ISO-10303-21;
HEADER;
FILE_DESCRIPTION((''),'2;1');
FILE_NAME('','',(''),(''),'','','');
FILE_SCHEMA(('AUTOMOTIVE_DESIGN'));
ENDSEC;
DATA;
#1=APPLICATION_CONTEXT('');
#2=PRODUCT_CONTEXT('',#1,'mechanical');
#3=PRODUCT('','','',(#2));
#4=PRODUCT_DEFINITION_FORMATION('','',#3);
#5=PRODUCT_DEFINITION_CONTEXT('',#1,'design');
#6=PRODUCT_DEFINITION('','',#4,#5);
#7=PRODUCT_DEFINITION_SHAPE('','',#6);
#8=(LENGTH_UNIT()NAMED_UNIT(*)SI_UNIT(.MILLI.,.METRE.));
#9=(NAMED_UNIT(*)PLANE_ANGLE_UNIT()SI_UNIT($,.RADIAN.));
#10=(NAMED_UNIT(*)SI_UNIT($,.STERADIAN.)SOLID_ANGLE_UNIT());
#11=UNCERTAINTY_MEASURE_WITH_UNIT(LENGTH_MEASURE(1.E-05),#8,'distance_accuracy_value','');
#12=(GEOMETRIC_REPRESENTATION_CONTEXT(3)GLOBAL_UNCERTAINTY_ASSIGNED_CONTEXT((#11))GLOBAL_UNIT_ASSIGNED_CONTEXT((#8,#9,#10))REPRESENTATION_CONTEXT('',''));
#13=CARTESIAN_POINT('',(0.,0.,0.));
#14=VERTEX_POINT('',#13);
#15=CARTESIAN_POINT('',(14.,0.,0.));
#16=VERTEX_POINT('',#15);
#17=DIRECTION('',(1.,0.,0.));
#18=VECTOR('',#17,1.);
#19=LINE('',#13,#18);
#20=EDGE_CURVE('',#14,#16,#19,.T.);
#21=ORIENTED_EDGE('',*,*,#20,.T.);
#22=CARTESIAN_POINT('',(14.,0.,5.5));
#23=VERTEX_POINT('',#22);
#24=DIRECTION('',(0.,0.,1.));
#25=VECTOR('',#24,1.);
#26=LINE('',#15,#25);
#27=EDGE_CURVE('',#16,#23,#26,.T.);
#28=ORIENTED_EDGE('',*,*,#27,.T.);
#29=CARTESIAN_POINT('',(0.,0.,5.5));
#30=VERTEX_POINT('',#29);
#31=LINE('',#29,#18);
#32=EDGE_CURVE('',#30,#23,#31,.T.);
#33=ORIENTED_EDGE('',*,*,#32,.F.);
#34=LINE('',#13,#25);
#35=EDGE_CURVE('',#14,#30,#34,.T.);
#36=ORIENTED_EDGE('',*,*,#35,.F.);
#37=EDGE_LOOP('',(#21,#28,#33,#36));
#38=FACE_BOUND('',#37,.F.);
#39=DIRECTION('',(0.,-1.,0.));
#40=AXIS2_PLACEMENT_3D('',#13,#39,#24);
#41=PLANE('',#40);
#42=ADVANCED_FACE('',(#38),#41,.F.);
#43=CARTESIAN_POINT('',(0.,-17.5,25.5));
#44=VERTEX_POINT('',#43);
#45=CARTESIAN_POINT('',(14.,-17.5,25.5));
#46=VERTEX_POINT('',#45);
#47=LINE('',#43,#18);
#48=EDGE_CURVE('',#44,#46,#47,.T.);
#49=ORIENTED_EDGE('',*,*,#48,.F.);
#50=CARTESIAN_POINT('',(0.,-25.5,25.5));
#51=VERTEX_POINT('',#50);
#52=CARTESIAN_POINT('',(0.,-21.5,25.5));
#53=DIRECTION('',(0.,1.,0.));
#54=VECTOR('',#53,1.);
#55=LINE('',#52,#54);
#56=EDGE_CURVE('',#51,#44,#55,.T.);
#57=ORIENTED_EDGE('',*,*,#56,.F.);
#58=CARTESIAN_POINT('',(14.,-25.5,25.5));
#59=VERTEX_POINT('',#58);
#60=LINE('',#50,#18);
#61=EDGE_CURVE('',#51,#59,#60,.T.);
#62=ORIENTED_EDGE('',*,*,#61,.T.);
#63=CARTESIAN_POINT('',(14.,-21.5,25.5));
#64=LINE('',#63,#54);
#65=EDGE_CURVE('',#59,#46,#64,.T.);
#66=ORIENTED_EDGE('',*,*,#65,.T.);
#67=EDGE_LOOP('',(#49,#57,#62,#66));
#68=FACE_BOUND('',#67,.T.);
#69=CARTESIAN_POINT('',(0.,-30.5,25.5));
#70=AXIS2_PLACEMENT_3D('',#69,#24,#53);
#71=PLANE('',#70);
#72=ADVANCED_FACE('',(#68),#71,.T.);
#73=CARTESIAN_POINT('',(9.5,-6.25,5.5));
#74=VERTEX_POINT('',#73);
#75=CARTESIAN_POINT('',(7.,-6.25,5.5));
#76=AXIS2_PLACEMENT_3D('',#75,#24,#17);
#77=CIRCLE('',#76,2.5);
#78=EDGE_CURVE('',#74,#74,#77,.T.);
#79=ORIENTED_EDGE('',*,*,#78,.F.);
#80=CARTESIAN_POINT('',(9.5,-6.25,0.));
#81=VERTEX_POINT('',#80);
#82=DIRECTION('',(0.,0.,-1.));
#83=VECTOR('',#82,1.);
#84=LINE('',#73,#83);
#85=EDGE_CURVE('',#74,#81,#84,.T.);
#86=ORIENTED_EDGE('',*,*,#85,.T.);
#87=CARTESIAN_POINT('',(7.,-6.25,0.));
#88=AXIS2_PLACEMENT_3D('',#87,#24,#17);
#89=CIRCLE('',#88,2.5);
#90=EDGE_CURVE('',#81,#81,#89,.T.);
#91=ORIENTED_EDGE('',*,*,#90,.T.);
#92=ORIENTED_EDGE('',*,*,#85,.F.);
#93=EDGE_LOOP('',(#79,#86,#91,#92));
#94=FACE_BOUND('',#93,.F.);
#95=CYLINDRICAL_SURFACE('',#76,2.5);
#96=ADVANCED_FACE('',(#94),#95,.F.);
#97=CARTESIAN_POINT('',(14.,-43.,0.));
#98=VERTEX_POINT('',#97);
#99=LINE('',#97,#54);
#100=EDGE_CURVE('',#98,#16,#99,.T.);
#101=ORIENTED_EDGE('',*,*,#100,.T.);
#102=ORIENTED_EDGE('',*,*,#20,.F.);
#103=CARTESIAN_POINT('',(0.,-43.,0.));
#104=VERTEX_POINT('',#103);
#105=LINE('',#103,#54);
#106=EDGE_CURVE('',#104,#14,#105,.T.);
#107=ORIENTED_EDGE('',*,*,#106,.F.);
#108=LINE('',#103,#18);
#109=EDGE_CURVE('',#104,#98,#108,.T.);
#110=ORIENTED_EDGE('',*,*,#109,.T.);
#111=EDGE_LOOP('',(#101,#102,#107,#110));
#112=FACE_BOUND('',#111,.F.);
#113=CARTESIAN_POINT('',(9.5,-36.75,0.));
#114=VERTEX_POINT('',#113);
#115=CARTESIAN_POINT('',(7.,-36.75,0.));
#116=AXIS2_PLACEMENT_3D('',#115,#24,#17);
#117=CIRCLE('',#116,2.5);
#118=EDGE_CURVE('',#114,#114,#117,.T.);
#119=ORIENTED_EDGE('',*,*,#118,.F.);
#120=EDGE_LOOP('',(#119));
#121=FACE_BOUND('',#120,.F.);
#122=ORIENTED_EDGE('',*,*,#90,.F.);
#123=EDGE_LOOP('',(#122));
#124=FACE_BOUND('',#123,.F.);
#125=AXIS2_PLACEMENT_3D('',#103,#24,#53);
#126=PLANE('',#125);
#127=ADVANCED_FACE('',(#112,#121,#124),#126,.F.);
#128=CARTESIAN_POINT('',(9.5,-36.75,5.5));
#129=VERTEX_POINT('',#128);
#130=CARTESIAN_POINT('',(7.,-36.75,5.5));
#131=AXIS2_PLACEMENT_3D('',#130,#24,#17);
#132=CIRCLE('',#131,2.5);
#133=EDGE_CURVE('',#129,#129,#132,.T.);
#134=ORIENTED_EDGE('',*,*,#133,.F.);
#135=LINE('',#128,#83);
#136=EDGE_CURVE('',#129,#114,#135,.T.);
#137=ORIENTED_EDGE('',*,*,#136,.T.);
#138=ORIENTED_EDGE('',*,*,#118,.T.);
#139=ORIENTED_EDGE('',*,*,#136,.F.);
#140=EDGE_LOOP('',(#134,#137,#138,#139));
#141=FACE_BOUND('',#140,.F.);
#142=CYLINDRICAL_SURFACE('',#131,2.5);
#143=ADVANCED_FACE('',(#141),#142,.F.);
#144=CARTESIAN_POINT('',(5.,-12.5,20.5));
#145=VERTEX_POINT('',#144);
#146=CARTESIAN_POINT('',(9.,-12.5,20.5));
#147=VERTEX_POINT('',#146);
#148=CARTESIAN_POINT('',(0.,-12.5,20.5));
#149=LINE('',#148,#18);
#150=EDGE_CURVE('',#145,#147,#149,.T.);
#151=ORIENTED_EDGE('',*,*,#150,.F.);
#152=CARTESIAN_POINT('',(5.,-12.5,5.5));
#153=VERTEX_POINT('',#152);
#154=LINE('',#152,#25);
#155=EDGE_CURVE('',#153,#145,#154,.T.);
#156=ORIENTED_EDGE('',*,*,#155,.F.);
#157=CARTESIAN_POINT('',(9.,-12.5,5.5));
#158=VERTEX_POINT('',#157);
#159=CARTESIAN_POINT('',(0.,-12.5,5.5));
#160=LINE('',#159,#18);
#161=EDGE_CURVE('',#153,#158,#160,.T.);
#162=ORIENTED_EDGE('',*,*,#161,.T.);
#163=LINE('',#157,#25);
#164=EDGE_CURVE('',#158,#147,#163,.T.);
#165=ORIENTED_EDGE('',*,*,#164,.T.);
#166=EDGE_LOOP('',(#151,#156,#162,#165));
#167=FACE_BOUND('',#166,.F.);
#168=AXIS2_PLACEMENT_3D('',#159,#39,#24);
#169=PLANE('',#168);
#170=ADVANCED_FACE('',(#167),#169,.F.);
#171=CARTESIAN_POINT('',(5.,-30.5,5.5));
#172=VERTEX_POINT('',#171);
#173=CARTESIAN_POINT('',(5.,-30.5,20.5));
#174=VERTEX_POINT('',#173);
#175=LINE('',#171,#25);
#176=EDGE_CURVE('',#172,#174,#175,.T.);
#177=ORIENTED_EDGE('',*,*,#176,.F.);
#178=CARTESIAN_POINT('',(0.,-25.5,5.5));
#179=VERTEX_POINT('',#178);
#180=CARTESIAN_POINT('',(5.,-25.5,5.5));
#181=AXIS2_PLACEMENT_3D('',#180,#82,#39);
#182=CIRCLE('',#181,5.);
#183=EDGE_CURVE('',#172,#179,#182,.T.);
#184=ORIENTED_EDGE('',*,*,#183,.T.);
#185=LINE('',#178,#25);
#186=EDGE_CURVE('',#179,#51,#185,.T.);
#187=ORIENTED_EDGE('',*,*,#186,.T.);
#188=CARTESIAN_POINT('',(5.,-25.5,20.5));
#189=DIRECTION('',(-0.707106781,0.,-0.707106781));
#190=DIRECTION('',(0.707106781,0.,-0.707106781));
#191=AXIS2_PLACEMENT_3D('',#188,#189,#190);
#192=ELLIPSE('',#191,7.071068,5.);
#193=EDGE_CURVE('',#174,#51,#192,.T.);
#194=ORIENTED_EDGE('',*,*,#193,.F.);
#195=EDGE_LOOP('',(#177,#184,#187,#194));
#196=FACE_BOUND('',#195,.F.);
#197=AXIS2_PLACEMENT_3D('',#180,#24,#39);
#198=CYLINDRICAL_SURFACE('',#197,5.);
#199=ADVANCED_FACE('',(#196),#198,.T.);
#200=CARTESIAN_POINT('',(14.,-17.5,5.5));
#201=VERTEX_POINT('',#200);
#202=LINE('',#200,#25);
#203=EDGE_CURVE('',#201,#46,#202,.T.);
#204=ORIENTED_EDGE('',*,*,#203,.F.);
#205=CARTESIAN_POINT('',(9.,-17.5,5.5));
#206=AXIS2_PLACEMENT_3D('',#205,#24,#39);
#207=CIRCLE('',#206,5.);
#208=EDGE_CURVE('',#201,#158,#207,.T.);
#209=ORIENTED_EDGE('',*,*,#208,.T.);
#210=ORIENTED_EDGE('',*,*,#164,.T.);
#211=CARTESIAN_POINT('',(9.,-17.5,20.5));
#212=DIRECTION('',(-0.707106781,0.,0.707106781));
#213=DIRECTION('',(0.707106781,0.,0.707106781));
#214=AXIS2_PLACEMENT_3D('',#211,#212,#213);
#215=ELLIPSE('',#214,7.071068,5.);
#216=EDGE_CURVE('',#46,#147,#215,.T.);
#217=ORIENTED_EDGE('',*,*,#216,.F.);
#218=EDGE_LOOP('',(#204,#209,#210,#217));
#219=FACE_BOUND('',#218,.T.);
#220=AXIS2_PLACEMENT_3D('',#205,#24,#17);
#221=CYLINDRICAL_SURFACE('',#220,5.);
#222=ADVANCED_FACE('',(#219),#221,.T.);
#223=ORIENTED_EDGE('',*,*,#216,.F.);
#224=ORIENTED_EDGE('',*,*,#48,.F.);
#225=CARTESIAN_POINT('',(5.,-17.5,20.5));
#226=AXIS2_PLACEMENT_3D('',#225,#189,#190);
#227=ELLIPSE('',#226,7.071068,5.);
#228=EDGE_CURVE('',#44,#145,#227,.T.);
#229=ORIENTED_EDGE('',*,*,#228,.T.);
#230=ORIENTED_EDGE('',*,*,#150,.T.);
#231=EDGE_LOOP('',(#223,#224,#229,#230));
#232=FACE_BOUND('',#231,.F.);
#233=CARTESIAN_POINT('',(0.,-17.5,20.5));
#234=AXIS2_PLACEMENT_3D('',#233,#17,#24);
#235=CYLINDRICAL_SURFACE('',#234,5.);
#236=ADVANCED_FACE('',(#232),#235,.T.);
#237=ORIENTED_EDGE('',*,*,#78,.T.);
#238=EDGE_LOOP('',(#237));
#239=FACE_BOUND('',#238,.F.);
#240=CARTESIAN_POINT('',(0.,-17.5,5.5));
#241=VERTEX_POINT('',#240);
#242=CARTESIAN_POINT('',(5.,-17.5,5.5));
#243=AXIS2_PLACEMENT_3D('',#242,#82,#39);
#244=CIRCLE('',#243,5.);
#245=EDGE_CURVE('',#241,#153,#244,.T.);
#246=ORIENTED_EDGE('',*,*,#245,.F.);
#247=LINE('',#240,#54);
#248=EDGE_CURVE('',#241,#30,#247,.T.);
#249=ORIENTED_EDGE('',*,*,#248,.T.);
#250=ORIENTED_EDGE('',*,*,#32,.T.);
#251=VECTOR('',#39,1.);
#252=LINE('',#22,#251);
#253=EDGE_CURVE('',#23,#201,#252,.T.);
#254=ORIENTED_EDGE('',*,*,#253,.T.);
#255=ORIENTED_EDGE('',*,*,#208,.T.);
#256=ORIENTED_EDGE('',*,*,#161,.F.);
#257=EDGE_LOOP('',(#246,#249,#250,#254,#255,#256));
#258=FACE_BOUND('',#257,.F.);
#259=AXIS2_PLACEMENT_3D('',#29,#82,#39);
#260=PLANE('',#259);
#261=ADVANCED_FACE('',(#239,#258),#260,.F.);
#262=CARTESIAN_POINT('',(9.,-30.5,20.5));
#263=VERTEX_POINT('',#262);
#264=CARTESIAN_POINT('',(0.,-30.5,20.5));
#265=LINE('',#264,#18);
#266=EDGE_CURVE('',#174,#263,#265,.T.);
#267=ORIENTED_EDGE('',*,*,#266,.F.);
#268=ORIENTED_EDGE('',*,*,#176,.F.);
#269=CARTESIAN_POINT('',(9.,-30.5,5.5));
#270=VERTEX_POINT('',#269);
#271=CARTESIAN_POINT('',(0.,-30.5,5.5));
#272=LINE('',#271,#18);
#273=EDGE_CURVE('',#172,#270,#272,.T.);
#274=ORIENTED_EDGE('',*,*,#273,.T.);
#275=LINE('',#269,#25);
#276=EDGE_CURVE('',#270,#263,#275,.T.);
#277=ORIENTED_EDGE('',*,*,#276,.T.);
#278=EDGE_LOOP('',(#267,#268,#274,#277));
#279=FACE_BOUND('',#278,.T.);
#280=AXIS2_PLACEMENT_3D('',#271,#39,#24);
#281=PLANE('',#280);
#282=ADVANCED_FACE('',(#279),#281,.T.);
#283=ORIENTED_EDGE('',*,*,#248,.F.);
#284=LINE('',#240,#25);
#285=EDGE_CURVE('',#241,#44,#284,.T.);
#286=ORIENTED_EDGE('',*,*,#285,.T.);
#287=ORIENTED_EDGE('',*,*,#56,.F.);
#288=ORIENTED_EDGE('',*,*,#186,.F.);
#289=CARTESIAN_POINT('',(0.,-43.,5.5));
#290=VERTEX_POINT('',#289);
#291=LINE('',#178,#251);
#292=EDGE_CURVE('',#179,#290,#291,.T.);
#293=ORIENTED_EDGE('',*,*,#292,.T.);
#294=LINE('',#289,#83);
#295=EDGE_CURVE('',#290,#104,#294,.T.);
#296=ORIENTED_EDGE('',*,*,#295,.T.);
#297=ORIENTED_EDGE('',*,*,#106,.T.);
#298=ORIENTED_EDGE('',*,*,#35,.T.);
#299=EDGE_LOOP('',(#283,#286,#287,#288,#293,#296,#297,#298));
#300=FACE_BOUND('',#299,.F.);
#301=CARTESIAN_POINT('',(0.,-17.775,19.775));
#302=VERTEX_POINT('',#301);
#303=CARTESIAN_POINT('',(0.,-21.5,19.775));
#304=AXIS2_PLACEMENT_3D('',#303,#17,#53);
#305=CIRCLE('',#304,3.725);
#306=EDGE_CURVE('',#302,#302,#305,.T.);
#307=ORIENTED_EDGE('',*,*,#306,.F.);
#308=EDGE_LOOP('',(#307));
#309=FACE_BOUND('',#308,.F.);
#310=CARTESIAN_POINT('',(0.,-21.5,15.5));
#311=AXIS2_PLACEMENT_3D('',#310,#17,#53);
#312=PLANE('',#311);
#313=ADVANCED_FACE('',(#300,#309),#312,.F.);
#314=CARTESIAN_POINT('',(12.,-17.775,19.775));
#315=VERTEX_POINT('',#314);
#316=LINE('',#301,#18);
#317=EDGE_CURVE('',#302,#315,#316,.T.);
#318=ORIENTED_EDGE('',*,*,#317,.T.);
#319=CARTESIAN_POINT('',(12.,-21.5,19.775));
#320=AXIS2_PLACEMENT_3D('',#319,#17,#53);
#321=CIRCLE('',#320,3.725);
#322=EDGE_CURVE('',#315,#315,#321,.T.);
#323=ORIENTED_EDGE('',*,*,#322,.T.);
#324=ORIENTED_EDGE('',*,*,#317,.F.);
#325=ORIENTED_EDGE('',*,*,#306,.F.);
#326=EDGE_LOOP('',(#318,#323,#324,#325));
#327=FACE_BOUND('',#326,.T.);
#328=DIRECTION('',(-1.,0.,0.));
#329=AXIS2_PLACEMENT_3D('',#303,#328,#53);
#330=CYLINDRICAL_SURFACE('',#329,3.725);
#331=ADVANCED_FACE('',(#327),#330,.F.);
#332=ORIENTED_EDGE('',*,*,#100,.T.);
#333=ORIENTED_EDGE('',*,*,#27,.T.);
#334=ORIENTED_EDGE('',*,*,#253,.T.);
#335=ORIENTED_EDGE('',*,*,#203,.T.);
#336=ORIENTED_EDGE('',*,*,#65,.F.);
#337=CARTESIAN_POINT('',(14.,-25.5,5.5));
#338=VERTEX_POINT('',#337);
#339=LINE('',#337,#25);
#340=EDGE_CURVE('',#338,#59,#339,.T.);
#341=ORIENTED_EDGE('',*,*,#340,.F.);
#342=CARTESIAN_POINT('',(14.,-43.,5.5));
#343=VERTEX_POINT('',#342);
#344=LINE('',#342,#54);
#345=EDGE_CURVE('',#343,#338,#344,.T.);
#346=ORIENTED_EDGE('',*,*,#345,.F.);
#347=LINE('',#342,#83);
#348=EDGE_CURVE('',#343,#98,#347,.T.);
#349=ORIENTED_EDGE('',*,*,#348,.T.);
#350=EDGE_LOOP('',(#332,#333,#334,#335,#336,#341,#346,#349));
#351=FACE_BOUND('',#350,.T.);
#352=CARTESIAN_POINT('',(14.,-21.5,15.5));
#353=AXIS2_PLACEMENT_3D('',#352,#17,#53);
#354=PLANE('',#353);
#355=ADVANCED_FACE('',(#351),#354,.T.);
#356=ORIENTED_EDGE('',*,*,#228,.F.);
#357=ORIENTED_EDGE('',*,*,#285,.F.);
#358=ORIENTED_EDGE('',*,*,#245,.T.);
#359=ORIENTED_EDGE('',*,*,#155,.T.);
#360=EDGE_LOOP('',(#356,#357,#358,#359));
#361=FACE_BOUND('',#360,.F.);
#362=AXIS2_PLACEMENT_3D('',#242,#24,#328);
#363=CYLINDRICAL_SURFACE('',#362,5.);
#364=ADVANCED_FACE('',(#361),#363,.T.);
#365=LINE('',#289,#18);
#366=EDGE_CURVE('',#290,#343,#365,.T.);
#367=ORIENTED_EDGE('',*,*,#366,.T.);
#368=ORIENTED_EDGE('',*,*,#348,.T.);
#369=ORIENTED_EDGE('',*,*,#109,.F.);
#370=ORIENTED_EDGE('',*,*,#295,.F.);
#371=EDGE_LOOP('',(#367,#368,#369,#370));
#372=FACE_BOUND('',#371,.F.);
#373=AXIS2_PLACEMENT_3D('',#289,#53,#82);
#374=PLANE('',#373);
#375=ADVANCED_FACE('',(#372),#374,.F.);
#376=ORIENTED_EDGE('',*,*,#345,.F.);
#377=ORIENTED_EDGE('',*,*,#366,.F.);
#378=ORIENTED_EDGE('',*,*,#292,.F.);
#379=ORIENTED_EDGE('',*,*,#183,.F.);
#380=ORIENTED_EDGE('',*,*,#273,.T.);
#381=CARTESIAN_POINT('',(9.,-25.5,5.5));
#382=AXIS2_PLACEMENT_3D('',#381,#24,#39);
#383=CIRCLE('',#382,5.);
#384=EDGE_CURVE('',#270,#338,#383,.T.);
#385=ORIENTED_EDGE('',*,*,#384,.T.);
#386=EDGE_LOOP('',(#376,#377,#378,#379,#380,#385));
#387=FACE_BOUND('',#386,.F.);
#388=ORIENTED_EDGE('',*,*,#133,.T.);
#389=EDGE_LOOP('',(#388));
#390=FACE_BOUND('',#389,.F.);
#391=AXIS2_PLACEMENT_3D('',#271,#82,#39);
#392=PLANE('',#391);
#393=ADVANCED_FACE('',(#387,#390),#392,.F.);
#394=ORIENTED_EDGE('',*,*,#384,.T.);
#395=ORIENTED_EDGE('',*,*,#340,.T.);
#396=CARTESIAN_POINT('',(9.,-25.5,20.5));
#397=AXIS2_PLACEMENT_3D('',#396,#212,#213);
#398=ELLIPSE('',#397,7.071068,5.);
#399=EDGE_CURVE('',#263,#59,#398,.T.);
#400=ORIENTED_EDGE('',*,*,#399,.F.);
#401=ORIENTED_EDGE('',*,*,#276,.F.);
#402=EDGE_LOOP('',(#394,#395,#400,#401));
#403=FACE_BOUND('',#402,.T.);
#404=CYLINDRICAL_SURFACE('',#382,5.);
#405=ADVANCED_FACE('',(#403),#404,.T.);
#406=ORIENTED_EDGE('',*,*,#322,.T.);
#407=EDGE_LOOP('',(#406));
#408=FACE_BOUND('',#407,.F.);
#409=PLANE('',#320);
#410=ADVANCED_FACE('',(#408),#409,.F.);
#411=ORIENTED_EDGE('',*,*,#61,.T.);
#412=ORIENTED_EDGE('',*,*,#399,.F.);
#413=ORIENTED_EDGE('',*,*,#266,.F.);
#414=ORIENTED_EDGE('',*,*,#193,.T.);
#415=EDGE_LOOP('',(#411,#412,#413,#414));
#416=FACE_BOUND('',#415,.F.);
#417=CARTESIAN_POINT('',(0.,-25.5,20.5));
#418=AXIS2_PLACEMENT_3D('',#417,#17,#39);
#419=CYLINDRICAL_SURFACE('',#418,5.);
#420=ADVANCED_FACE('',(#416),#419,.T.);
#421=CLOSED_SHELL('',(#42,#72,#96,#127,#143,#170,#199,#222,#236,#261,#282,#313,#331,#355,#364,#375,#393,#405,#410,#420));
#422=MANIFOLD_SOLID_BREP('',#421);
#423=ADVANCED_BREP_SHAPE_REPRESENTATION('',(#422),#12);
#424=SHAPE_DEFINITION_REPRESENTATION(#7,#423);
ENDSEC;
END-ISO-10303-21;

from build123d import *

# Parameters (mm, degrees)
F0_W     = 18
F0_H     = 20
F1_DEPTH = 14
F2_R     = 2.5
F3_DEPTH = 5.8
F4_R     = 5
F5_R     = 3.725
F6_DEPTH = 12


with BuildPart() as f1:
    # F0 (on Right) → F1 (new body)
    with BuildSketch(Plane.YZ):
        with Locations((-21.5, 15.5)):
            Rectangle(F0_W, F0_H)
        Polygon((-43, 0), (0, 0), (0, 5.5), (-12.5, 5.5), (-30.5, 5.5), (-43, 5.5), align=None)
    extrude(amount=F1_DEPTH)

    # F2 (on face) → F3 (cut)
    with BuildSketch(Plane.XY.offset(5.5)):
        with Locations((7, -6.25)):
            Circle(F2_R)
        with Locations((7, -36.75)):
            Circle(F2_R)
    extrude(amount=-F3_DEPTH, mode=Mode.SUBTRACT)

    # F4
    f4_edges = [f1.edges().sort_by_distance(p)[0] for p in [
        (7, -30.5, 25.5),
        (7, -12.5, 25.5),
        (14, -30.5, 15.5),
        (14, -12.5, 15.5),
        (0, -12.5, 15.5),
        (0, -30.5, 15.5),
    ]]
    fillet(f4_edges, radius=F4_R)

    # F5 (on face) → F6 (cut)
    with BuildSketch(Plane.YZ):
        with Locations((-21.5, 19.775)):
            Circle(F5_R)
    extrude(amount=F6_DEPTH, mode=Mode.SUBTRACT)


solid = f1.part
